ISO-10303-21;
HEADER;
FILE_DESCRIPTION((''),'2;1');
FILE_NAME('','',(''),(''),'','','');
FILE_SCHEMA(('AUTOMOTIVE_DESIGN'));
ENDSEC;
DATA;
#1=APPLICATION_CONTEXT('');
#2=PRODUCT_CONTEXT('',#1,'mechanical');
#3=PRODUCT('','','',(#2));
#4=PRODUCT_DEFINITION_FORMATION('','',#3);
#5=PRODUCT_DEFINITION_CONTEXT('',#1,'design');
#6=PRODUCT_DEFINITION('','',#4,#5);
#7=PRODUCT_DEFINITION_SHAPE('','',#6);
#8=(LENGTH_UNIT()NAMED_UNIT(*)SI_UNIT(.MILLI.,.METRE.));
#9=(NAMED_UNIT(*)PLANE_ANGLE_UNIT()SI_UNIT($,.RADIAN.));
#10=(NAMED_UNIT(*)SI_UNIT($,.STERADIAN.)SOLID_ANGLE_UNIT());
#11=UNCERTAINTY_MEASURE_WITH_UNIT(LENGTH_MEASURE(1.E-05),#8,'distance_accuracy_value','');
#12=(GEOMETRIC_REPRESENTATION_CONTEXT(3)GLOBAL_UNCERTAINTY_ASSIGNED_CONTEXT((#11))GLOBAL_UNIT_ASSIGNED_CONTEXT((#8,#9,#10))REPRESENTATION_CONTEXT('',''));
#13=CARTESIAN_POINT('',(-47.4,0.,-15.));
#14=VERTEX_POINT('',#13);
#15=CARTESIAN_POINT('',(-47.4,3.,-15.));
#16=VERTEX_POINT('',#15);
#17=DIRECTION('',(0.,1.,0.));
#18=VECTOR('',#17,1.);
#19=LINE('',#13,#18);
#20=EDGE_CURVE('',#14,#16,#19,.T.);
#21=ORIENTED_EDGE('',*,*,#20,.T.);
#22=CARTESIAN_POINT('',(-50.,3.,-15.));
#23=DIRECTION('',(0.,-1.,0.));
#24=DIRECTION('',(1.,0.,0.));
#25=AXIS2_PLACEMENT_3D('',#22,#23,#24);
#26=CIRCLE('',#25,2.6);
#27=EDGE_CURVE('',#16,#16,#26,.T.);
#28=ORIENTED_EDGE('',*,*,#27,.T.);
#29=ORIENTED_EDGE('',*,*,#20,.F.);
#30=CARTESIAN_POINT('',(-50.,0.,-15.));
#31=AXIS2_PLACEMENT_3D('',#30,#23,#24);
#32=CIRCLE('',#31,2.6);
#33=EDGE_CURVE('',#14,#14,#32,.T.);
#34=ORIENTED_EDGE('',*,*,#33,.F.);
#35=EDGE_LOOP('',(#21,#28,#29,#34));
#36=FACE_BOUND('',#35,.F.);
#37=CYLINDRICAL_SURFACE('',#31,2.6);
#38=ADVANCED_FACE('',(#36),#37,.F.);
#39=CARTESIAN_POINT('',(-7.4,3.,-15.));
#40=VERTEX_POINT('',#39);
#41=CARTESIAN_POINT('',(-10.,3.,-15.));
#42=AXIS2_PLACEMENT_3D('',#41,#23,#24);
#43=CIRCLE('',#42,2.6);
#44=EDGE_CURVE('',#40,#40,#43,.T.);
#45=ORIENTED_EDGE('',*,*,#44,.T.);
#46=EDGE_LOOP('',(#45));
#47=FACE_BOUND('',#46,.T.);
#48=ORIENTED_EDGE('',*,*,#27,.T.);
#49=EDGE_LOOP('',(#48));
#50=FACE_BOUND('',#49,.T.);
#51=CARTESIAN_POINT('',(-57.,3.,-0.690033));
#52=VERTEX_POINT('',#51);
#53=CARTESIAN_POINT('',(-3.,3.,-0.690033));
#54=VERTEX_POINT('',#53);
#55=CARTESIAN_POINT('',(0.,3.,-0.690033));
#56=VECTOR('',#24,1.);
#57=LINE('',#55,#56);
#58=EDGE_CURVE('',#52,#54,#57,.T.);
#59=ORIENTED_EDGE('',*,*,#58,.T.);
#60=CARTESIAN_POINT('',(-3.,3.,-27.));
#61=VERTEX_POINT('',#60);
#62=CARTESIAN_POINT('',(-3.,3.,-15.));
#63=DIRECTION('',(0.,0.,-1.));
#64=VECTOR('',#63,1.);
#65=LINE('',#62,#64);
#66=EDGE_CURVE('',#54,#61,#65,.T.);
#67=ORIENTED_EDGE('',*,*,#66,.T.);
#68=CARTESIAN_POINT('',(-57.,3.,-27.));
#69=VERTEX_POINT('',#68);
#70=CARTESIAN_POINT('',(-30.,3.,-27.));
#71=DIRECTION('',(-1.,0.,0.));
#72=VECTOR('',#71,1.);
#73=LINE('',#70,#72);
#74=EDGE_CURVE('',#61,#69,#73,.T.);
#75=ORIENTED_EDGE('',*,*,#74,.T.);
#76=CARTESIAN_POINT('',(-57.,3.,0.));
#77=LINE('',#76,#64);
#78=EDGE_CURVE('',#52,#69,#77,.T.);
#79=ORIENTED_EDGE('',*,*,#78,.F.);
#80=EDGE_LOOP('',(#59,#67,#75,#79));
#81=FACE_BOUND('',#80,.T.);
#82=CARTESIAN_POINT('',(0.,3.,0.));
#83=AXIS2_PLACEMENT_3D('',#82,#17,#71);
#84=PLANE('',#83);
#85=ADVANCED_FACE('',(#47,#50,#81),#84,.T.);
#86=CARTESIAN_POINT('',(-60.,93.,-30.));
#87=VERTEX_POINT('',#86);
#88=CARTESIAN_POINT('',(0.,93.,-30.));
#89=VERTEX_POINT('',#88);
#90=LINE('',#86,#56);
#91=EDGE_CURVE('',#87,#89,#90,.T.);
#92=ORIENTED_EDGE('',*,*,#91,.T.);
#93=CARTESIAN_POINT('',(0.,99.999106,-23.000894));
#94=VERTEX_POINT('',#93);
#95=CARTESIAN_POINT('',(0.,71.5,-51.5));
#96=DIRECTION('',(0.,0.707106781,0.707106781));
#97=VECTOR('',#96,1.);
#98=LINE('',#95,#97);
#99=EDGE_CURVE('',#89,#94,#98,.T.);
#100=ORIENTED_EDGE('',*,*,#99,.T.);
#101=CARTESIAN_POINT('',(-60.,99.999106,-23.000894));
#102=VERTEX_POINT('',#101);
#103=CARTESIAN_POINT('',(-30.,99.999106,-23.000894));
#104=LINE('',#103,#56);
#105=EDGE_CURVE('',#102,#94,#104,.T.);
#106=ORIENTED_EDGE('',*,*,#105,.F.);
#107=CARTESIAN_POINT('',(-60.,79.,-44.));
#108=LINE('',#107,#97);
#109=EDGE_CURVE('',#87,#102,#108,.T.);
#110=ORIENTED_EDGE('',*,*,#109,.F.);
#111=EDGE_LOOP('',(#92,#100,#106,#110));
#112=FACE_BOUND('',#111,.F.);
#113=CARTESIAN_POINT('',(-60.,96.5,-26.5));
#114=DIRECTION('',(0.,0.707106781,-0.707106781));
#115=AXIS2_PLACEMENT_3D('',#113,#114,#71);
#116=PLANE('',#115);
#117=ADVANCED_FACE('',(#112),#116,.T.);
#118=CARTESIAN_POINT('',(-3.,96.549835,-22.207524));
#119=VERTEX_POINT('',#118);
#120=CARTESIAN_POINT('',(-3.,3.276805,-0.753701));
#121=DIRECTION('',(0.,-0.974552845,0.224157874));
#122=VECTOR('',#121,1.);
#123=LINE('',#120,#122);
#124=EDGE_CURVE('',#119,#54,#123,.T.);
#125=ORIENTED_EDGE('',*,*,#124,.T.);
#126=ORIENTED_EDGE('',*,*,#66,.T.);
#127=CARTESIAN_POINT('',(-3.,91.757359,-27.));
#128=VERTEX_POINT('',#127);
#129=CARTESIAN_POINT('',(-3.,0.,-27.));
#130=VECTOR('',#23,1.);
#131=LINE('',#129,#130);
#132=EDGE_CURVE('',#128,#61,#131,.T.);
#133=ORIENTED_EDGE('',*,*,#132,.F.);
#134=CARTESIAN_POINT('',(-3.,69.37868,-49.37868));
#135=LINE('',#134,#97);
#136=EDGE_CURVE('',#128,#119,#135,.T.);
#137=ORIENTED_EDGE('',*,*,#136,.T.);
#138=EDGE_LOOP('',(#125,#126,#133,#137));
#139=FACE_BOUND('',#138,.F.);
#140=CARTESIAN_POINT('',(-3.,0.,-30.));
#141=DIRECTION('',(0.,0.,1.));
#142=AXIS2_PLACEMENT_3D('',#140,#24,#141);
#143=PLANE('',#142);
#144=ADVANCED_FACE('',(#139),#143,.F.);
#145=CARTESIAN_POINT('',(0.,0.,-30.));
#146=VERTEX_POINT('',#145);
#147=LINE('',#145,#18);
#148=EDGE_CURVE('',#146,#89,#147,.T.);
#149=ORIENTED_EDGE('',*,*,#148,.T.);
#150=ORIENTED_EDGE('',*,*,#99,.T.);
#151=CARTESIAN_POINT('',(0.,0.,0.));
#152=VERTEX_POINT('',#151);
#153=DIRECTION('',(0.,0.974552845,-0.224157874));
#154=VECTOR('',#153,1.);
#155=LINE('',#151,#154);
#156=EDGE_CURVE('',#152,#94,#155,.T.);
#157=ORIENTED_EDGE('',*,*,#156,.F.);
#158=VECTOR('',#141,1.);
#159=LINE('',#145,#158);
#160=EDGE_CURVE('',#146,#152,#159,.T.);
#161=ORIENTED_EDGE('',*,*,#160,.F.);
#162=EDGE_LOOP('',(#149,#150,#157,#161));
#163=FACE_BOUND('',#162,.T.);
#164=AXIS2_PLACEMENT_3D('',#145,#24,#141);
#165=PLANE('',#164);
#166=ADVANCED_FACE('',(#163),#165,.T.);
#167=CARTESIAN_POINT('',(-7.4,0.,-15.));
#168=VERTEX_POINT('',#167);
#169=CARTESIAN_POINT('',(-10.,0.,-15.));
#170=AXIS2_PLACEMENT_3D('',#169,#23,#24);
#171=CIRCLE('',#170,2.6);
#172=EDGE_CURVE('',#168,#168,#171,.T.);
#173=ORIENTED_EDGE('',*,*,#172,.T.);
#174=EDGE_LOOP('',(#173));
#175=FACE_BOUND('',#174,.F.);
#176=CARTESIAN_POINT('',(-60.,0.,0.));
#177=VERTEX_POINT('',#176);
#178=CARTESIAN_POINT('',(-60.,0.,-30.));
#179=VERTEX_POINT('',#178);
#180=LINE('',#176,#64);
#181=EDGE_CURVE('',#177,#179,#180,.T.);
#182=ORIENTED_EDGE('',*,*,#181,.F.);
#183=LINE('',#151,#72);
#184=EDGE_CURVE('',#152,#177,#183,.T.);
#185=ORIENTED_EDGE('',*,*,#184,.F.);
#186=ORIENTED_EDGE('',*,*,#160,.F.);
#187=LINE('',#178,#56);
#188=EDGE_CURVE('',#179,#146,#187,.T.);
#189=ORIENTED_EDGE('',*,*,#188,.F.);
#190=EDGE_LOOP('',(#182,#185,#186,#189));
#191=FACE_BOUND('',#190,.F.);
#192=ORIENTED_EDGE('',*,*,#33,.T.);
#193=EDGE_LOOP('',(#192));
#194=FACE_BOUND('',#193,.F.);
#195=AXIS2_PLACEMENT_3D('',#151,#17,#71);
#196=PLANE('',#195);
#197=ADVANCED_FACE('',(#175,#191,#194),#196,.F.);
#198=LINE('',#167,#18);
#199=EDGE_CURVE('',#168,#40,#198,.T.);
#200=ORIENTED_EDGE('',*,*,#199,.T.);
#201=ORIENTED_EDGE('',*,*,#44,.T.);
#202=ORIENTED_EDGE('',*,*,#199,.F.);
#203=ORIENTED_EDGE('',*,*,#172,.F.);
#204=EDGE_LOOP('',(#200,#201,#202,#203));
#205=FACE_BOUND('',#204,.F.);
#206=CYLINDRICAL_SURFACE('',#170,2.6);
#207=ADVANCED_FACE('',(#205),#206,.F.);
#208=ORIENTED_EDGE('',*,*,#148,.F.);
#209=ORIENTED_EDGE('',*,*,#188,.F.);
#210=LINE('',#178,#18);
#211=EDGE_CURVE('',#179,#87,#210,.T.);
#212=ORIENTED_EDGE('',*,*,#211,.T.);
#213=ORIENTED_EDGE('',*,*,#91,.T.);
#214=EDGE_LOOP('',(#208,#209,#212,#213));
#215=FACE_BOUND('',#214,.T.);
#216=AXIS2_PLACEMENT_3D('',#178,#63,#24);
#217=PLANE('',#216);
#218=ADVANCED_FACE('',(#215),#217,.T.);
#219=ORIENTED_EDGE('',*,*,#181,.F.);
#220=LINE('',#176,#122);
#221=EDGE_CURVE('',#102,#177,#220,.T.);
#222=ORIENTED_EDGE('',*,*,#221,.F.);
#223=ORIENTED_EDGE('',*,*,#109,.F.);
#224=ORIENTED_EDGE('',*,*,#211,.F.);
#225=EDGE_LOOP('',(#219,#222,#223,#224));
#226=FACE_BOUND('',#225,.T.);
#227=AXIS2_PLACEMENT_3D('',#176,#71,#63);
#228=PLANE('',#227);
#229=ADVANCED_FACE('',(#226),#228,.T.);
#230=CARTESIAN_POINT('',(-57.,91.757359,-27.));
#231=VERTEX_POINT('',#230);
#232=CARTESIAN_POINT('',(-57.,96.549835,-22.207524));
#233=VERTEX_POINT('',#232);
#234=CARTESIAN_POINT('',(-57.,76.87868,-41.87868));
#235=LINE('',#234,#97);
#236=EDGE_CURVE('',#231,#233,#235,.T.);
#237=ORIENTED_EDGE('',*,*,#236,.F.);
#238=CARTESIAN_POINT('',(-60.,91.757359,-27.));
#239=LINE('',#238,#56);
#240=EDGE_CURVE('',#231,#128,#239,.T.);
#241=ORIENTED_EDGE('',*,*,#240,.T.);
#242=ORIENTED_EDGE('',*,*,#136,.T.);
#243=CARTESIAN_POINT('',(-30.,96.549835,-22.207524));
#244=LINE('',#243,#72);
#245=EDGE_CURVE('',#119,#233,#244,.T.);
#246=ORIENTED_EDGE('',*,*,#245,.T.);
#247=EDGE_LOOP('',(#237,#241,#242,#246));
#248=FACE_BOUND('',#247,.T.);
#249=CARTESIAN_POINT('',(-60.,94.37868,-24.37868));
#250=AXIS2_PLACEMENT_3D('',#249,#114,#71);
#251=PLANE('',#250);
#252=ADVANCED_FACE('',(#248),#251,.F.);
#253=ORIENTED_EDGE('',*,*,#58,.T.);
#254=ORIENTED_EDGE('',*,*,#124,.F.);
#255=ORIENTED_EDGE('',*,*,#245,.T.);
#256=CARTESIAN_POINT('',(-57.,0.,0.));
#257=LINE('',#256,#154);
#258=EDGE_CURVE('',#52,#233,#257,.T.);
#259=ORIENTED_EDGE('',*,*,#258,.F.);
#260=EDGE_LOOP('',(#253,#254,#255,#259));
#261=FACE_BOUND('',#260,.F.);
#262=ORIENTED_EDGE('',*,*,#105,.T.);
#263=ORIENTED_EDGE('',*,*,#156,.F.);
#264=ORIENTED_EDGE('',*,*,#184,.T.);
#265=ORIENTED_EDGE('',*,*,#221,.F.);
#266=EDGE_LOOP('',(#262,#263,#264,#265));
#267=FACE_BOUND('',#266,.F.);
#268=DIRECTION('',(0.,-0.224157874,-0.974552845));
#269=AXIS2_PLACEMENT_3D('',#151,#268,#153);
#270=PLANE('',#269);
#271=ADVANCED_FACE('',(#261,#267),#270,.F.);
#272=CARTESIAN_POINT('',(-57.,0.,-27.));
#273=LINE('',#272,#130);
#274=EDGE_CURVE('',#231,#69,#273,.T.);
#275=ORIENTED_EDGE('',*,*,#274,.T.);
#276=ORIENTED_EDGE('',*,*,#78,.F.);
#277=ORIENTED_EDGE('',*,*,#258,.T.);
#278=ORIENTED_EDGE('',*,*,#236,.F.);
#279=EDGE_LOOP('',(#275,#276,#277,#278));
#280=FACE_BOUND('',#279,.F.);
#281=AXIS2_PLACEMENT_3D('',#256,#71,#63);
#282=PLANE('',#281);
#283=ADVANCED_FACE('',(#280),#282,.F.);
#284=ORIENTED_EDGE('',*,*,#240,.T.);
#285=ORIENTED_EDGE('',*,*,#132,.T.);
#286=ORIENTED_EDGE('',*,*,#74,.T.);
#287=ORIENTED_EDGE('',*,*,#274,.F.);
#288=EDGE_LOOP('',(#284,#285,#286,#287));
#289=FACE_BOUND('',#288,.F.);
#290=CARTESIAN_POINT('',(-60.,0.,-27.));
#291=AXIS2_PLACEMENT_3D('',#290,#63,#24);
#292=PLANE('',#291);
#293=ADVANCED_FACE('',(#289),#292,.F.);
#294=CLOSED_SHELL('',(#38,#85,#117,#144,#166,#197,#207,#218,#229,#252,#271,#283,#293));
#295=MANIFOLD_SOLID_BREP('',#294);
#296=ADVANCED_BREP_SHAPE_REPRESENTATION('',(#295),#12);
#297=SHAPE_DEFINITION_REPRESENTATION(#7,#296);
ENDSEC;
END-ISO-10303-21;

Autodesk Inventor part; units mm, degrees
ref_plane "YZ Plane" through (0, 0, 0) normal (1, 0, 0) x (0, 1, 0)
ref_plane "XZ Plane" through (0, 0, 0) normal (0, 1, 0) x (-1, 0, 0)
ref_plane "XY Plane" through (0, 0, 0) normal (0, 0, 1) x (1, 0, 0)
sketch "Sketch4" plane through (0, 0, 0) normal (0, 1, 0) x (-1, 0, 0)
  line L0 (0, 0) -> (60, 0)
  line L1 (60, 0) -> (60, -30)
  line L2 (60, -30) -> (0, -30)
  line L3 (0, -30) -> (0, 0)
  dimension "d15" = 60
  dimension "d16" = 30
extrude "Extrusion4" add sketch "Sketch4" along normal blind 100
chamfer "Chamfer1" distance 7 angle 45 1 edges at (-30, 100, -30)
sketch "Sketch6" plane through (0, 0, 0) normal (1, 0, 0) x (0, 0, -1)
  line L0 (30, 0) -> (30, 93) projected
  line L1 (0, 0) -> (0, 100) projected
  line L2 (30, 0) -> (0, 0)
  line L3 (0, 0) -> (0, 100)
  line L4 (0, 100) -> (30, 100)
  line L5 (30, 100) -> (30, 0)
  line L6 (0, 0) -> (23.0011, 100)
extrude "Extrusion5" cut sketch "Sketch6" against normal blind 100 contours L1 L4 L6
shell "Shell2" thickness 3 removed faces 1 at (-40, 66.6661, -15.3339)
sketch "Sketch8" plane through (0, 0, 0) normal (0, -1, 0) x (1, 0, 0)
  line L0 (0, -30) -> (-60, -30) projected
  line L1 (0, 0) -> (-60, 0)
  line L2 (-60, 0) -> (-60, -30)
  line L3 (-60, -30) -> (0, -30)
  line L4 (0, -30) -> (0, 0)
  line L5 (0, -23.0009) -> (0, 0) projected
  line L6 (0, 0) -> (0, -15)
  line L7 (0, -15) -> (-60, -15) construction
  line L8 (-30, 0) -> (-30, -30) construction
  line L9 (-30, -15) -> (-10, -15) construction
  circle A0 centre (-10, -15) radius 2.6
  line L10 (-30, -15) -> (-50, -15) construction
  circle A1 centre (-50, -15) radius 2.6
  dimension "d26" = 15
  dimension "d27" = 20
  dimension "d28" = 5.2
extrude "Extrusion6" cut sketch "Sketch8" against normal blind 20 contours A0 | A1
properties part number "Claw"
